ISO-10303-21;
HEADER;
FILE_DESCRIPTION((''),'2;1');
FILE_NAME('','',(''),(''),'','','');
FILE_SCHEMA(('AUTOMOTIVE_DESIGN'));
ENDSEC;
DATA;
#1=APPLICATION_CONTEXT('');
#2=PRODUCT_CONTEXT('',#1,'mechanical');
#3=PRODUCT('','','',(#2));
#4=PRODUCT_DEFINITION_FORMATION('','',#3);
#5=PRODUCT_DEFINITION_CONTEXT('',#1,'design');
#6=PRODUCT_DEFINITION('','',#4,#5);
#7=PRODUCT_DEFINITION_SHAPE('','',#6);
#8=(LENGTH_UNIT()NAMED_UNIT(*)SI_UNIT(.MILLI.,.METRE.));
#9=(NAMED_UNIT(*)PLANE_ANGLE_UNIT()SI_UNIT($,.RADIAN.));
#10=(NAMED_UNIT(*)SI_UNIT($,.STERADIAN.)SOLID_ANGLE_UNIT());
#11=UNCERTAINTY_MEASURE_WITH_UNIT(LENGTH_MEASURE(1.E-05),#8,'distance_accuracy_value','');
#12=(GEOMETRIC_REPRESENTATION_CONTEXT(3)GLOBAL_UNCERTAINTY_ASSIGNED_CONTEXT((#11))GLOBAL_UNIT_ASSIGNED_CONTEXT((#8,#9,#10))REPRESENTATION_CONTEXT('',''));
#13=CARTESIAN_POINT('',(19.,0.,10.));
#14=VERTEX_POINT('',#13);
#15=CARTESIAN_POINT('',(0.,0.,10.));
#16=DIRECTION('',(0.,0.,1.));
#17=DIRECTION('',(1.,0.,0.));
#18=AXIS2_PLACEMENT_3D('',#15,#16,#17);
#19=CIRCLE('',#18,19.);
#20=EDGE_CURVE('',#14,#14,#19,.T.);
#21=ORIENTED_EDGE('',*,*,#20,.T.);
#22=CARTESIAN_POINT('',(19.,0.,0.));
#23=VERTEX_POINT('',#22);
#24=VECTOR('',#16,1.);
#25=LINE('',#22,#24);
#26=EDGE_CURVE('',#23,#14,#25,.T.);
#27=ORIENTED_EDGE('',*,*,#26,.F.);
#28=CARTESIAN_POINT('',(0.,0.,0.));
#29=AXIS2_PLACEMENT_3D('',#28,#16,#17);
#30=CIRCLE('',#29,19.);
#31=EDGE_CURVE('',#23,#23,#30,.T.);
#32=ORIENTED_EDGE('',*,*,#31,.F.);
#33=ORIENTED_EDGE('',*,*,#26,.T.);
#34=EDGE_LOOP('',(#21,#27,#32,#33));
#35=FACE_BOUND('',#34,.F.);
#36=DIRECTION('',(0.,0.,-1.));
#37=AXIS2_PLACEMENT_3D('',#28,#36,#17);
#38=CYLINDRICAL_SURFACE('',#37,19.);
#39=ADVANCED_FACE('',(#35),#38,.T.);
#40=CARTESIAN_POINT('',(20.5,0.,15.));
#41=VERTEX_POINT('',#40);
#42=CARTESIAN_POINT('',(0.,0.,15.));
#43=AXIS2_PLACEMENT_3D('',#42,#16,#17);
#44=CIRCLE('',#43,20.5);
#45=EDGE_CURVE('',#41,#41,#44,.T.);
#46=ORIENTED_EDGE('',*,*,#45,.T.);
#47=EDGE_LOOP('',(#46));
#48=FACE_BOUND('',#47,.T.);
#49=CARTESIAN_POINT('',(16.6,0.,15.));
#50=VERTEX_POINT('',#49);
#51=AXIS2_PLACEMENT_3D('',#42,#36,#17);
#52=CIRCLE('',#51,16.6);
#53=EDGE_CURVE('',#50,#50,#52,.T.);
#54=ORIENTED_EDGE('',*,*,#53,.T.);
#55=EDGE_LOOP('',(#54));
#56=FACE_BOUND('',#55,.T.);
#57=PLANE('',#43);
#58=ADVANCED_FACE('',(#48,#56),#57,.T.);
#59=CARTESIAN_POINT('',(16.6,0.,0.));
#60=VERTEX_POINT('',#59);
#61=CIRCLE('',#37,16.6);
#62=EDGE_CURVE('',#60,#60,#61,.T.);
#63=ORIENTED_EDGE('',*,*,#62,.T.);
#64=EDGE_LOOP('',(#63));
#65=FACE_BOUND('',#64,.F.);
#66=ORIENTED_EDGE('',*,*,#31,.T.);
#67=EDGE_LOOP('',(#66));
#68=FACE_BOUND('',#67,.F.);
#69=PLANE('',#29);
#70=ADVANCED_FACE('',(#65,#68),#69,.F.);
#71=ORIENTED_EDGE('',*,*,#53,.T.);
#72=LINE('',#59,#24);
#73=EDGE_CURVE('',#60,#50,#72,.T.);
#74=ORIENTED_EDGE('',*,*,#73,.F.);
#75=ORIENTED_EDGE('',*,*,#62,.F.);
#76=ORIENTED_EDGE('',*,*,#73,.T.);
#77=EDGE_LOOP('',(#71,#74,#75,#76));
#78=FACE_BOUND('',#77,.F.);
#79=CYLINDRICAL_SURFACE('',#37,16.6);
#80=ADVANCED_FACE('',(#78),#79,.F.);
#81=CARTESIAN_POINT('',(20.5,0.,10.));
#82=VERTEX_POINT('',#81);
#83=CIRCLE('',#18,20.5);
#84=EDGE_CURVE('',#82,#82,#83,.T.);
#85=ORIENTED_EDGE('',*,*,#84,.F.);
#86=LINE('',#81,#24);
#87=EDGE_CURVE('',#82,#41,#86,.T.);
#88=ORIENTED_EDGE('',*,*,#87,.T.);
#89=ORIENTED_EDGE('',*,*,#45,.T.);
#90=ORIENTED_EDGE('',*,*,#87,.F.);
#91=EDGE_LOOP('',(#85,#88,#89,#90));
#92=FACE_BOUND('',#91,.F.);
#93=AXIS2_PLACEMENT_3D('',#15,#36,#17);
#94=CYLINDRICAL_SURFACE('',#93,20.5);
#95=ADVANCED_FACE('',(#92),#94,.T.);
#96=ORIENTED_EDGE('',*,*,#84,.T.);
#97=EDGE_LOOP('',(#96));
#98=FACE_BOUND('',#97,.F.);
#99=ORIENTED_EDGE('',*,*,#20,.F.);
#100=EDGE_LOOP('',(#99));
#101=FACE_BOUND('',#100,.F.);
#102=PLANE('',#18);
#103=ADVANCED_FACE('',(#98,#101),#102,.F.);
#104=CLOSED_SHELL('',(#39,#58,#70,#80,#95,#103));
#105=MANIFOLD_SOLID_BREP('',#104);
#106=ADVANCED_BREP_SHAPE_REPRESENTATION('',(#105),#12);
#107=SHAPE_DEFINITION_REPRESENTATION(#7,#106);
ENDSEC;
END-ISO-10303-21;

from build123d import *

# Parameters (mm, degrees)
F0_R     = 19
F1_DEPTH = 10
F2_R     = 20.5
F3_DEPTH = 5
F4_R     = 16.6
F5_DEPTH = 15.001


with BuildPart() as f1:
    # F0 (on Top) → F1 (new body)
    with BuildSketch(Plane.XY):
        Circle(F0_R)
    extrude(amount=F1_DEPTH)

    # F2 (on face) → F3 (join)
    with BuildSketch(Plane.XY.offset(10)):
        Circle(F2_R)
    extrude(amount=F3_DEPTH)

    # F4 (on face) → F5 (cut, through all)
    with BuildSketch(Plane(origin=(0, 0, 0), x_dir=(1, 0, 0), z_dir=(0, 0, -1))):
        Circle(F4_R)
    extrude(amount=-F5_DEPTH, mode=Mode.SUBTRACT)


solid = f1.part
